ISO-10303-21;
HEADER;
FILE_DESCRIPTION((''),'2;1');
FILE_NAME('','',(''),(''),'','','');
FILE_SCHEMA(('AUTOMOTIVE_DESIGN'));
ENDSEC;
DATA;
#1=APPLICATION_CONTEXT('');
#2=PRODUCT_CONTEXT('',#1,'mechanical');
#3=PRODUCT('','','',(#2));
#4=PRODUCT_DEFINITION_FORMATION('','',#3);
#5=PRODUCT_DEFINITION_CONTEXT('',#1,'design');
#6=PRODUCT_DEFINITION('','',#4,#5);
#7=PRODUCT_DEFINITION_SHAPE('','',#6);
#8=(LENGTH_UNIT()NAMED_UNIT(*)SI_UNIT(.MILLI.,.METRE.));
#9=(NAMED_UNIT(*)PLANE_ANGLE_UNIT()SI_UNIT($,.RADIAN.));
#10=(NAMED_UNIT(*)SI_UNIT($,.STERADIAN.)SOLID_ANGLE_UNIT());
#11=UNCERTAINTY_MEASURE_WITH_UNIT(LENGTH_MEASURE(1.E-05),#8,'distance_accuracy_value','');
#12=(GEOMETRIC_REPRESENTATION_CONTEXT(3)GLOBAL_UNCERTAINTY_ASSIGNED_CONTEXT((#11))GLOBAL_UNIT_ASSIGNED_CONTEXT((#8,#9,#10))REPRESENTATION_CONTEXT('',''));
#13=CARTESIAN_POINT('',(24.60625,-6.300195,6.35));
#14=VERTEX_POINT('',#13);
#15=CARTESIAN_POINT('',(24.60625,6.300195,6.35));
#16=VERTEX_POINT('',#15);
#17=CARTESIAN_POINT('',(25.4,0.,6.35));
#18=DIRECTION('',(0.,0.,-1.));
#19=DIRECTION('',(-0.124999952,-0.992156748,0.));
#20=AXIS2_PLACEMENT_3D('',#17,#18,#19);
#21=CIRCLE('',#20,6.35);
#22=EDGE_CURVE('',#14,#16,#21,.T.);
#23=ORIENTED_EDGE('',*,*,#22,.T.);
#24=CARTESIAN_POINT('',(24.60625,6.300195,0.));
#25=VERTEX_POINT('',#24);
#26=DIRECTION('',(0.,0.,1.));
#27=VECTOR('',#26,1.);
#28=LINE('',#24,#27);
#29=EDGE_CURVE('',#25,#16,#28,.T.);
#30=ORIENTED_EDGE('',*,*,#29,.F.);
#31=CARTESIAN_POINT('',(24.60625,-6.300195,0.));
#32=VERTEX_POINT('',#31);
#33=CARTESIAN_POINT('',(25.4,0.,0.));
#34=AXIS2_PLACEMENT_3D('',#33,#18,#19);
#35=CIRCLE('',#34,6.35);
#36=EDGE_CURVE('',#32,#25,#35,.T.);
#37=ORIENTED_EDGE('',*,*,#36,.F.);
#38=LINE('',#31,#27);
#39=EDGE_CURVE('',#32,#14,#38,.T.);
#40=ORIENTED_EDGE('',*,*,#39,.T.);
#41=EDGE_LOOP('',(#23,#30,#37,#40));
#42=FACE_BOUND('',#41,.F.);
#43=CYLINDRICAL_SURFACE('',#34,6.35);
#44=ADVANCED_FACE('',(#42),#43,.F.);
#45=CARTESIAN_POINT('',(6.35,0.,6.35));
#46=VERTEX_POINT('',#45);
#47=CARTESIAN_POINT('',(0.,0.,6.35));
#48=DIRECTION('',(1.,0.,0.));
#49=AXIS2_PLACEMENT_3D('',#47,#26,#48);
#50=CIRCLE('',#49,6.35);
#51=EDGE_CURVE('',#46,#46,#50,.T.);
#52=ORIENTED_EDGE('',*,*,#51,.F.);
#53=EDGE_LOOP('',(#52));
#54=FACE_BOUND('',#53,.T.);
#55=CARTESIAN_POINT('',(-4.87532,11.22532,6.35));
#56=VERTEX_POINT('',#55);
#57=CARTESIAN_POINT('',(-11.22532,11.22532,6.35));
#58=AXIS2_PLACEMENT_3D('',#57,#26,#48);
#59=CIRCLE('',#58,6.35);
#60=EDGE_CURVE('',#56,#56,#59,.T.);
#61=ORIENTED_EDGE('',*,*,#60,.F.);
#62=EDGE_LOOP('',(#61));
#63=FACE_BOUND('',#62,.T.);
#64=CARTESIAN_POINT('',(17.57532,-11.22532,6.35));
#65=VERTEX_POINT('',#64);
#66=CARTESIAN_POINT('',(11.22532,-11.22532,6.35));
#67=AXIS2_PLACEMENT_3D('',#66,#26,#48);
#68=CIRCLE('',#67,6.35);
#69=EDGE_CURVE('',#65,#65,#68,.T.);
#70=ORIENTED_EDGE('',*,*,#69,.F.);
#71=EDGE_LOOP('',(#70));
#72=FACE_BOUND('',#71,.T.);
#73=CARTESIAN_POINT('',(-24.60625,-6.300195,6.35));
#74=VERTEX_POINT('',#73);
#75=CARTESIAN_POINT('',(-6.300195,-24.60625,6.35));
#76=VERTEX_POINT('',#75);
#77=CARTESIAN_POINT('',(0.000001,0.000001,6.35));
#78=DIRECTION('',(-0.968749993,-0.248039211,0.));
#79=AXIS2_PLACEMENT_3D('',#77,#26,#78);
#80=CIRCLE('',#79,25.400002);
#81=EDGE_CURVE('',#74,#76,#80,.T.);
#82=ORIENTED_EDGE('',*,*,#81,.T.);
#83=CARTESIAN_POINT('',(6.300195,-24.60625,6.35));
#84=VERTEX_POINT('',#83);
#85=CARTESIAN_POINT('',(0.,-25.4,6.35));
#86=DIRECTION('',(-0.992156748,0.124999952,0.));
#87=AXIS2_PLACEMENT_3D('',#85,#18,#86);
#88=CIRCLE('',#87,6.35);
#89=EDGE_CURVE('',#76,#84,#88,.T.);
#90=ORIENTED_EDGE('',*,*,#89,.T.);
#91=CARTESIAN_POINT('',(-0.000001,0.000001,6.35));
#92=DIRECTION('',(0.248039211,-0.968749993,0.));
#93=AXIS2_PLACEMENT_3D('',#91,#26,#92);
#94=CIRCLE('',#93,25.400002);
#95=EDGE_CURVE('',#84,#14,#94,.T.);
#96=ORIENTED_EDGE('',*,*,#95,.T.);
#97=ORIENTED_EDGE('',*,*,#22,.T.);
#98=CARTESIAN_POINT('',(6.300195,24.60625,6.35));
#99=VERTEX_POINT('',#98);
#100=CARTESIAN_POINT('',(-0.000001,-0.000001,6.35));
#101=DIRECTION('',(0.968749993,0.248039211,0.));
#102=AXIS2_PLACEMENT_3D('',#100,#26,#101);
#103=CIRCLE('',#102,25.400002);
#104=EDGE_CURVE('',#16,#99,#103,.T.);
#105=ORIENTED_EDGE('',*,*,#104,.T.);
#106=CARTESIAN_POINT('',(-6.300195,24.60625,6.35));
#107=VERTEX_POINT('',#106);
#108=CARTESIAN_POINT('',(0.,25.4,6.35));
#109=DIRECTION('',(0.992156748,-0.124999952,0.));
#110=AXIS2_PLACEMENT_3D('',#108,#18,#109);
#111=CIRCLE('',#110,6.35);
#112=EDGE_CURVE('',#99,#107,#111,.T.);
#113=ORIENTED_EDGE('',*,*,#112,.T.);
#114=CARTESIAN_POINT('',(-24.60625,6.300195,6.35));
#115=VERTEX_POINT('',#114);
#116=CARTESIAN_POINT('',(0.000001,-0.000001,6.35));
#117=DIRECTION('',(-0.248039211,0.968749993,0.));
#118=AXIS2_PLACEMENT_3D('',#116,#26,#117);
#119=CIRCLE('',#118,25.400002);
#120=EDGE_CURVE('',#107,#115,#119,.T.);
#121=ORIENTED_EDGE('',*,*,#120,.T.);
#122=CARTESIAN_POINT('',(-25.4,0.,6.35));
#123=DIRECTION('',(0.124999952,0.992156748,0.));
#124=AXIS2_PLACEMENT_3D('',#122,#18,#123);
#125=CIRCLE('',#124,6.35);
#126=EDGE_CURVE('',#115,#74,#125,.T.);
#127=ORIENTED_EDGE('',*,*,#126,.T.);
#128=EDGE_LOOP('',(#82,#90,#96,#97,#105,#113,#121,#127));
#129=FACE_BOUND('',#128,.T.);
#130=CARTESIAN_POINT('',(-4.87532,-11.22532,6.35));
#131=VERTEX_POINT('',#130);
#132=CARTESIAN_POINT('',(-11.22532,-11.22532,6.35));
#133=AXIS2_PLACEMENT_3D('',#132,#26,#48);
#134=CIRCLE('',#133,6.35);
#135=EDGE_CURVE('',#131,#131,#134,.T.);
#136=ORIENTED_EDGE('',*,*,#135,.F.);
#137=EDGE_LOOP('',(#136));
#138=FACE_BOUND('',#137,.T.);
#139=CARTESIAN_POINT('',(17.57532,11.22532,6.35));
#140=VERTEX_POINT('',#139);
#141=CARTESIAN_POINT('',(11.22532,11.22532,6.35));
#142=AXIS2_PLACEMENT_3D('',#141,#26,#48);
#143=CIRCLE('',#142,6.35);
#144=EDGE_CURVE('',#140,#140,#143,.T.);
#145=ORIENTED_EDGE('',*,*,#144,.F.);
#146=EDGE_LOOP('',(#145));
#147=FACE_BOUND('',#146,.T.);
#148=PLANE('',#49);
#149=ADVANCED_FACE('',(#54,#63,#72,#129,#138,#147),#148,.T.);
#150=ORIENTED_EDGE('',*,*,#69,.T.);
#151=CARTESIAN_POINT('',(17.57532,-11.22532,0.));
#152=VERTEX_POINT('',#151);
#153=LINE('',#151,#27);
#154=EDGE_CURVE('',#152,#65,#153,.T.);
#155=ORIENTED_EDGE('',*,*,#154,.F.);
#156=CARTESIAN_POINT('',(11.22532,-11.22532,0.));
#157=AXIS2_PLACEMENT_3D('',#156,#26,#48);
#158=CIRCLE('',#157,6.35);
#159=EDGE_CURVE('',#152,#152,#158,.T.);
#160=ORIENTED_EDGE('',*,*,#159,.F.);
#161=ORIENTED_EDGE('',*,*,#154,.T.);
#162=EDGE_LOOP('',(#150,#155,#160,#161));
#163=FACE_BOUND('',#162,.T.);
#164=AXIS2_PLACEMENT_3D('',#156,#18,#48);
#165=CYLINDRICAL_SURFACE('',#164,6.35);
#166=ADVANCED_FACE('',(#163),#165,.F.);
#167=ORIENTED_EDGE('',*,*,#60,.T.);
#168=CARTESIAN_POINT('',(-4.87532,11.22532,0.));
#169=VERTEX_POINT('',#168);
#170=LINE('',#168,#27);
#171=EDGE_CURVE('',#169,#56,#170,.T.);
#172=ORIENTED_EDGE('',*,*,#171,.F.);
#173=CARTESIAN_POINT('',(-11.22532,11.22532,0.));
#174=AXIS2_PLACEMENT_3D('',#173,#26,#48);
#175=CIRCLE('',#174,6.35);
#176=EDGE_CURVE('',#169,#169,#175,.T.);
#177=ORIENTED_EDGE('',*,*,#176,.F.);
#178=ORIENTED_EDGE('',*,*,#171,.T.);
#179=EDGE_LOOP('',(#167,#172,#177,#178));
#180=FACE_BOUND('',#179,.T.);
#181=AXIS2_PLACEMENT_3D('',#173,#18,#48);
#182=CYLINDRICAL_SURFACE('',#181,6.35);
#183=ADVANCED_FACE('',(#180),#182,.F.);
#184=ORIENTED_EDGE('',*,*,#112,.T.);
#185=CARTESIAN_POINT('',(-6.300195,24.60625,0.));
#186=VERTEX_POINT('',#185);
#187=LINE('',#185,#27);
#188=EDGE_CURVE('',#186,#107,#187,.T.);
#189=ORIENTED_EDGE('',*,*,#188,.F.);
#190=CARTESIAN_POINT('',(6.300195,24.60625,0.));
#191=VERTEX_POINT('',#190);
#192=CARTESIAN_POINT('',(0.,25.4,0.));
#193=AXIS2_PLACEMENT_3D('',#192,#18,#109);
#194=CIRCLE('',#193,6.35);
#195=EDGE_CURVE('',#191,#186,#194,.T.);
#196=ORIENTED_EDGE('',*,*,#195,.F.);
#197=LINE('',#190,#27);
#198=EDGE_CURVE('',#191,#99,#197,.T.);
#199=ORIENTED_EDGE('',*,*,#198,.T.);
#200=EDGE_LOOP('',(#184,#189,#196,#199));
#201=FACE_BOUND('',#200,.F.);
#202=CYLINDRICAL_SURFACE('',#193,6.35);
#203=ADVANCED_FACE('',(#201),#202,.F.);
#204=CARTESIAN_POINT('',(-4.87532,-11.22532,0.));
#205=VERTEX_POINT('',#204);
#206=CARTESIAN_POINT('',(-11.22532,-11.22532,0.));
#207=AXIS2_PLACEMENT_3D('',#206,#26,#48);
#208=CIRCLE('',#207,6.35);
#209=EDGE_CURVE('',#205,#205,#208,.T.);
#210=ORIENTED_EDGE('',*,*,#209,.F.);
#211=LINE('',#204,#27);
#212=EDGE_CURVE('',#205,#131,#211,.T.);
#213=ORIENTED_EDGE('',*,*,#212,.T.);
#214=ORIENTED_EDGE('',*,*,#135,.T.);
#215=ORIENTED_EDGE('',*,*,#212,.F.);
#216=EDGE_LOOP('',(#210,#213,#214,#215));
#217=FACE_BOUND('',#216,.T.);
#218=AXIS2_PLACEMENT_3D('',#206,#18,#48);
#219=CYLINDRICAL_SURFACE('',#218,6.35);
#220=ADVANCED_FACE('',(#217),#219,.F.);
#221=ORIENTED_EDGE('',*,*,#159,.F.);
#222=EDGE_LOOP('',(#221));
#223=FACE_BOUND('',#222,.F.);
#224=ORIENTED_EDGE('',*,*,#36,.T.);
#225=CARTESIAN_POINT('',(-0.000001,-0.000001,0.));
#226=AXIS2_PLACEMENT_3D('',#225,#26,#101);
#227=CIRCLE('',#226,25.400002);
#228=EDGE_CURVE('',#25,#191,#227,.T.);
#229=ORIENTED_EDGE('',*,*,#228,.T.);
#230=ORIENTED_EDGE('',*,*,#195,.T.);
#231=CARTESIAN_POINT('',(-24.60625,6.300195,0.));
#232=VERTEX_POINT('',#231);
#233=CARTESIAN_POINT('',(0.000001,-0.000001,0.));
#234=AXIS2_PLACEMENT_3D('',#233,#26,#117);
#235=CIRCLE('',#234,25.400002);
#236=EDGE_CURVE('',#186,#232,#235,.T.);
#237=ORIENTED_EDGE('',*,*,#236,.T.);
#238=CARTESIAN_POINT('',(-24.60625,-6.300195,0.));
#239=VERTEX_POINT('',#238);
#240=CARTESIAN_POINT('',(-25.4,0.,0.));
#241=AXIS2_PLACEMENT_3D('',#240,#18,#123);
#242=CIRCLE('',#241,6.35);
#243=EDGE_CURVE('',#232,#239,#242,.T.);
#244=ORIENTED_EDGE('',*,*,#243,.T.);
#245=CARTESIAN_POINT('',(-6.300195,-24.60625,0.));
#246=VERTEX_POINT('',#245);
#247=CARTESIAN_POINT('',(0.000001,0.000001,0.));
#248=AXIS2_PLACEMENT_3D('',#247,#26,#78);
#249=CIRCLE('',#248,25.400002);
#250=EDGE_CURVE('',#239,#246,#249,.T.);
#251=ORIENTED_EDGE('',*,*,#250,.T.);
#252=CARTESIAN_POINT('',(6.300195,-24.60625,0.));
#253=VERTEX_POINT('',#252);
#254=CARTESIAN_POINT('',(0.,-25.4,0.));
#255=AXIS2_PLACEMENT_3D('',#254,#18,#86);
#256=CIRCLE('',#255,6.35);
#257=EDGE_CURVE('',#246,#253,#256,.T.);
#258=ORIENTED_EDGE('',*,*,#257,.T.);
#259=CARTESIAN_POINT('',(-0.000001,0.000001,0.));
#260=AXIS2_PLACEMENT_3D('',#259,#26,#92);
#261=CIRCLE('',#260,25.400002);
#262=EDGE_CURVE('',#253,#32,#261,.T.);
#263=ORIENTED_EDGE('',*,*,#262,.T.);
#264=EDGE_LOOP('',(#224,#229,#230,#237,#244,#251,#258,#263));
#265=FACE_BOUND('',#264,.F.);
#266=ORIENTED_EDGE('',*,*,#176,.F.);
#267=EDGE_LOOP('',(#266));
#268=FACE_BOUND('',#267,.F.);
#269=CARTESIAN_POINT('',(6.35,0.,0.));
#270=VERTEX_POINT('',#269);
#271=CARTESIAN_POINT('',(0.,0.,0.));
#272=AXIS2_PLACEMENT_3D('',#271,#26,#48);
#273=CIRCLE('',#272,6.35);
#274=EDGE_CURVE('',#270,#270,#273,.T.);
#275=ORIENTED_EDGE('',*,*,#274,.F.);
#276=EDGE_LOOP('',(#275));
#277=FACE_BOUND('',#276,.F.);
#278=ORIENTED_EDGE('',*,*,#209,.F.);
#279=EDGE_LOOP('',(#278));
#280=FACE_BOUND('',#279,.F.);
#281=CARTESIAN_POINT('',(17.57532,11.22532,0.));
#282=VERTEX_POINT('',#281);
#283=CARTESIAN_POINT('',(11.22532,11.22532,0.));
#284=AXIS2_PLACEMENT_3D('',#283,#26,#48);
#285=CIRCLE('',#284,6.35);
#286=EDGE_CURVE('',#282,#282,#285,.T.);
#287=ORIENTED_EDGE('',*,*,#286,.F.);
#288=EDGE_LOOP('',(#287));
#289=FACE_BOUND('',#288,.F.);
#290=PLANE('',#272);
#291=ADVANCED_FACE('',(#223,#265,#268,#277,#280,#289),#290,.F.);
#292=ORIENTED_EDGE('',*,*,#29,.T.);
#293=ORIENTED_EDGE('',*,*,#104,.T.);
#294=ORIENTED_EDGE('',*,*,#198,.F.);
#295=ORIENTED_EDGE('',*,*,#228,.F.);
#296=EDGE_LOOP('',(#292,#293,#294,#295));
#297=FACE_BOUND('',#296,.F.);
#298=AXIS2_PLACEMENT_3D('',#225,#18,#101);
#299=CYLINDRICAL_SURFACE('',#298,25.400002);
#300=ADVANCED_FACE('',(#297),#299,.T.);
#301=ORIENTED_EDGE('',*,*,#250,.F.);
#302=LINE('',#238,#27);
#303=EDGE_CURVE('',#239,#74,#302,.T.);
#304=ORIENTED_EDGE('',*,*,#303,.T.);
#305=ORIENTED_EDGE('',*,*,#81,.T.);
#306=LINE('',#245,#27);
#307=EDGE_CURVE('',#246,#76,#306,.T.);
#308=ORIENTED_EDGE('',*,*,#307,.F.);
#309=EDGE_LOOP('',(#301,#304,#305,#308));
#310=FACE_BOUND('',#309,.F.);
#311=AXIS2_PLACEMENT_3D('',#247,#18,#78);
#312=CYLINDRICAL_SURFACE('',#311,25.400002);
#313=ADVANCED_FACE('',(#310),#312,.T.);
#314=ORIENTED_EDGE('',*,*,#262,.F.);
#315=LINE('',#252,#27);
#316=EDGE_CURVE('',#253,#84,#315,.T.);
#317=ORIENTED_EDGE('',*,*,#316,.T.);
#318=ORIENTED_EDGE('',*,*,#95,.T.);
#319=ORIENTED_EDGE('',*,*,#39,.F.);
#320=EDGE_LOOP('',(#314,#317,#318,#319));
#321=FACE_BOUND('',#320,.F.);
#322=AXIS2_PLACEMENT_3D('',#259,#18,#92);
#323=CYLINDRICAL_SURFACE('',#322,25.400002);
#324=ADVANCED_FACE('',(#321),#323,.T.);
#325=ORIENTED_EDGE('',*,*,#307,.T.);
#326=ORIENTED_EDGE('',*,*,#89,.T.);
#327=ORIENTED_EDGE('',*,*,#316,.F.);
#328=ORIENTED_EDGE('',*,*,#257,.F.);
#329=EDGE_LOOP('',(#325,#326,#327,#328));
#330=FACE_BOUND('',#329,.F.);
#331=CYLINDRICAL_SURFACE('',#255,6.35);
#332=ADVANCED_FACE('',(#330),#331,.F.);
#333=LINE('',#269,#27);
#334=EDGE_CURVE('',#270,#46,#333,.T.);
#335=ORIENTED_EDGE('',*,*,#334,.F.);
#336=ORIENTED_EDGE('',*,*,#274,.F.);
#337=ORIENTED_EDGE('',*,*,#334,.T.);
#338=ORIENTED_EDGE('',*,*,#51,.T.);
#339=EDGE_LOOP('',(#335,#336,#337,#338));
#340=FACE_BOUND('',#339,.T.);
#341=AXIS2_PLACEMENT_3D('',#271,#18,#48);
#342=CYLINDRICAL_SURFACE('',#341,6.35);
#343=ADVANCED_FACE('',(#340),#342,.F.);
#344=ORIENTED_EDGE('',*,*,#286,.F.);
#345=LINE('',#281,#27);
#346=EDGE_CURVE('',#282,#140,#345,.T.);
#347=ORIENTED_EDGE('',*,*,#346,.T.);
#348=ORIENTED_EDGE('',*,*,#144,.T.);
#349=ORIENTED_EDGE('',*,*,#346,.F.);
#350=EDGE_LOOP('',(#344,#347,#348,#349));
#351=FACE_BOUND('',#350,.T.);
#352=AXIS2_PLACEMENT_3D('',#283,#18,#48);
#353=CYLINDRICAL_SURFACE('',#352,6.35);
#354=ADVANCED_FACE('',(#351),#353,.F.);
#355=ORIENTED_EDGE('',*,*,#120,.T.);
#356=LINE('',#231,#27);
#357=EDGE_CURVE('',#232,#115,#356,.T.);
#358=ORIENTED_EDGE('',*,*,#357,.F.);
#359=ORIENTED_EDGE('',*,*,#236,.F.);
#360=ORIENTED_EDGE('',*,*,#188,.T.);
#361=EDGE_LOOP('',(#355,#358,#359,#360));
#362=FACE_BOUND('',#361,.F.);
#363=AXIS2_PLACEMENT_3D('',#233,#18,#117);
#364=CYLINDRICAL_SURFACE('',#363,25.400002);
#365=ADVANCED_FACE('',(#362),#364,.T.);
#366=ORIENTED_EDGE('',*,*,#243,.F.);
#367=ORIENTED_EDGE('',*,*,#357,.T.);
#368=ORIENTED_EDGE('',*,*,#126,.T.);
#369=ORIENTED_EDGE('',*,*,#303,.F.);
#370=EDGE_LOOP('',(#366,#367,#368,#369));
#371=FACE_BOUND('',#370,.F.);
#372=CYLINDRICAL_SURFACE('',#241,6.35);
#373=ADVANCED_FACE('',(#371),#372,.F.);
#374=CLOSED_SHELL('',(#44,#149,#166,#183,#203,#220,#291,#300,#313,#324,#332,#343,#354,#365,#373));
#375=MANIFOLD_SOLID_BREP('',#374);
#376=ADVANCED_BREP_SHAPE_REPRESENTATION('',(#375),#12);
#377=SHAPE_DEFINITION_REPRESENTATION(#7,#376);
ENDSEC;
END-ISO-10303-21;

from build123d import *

# Parameters (mm, degrees)
F0_R     = 6.35
F1_DEPTH = 6.35


with BuildPart() as f1:
    # F0 (on Top) → F1 (new body)
    with BuildSketch(Plane.XY):
        with BuildLine():
            ThreePointArc((6.300195, 24.60625), (0, 19.05), (-6.300195, 24.60625))
            ThreePointArc((-6.300195, 24.60625), (-17.960512, 17.960512), (-24.60625, 6.300195))
            ThreePointArc((-24.60625, 6.300195), (-19.05, 0), (-24.60625, -6.300195))
            ThreePointArc((-24.60625, -6.300195), (-17.960512, -17.960512), (-6.300195, -24.60625))
            ThreePointArc((-6.300195, -24.60625), (0, -19.05), (6.300195, -24.60625))
            ThreePointArc((6.300195, -24.60625), (17.960512, -17.960512), (24.60625, -6.300195))
            ThreePointArc((24.60625, -6.300195), (19.05, 0), (24.60625, 6.300195))
            ThreePointArc((24.60625, 6.300195), (17.960512, 17.960512), (6.300195, 24.60625))
        make_face()
        with Locations((-11.22532, -11.22532)):
            Circle(F0_R, mode=Mode.SUBTRACT)
        with Locations((11.22532, -11.22532)):
            Circle(F0_R, mode=Mode.SUBTRACT)
        with Locations((-11.22532, 11.22532)):
            Circle(F0_R, mode=Mode.SUBTRACT)
        Circle(F0_R, mode=Mode.SUBTRACT)
        with Locations((11.22532, 11.22532)):
            Circle(F0_R, mode=Mode.SUBTRACT)
    extrude(amount=F1_DEPTH)


solid = f1.part
